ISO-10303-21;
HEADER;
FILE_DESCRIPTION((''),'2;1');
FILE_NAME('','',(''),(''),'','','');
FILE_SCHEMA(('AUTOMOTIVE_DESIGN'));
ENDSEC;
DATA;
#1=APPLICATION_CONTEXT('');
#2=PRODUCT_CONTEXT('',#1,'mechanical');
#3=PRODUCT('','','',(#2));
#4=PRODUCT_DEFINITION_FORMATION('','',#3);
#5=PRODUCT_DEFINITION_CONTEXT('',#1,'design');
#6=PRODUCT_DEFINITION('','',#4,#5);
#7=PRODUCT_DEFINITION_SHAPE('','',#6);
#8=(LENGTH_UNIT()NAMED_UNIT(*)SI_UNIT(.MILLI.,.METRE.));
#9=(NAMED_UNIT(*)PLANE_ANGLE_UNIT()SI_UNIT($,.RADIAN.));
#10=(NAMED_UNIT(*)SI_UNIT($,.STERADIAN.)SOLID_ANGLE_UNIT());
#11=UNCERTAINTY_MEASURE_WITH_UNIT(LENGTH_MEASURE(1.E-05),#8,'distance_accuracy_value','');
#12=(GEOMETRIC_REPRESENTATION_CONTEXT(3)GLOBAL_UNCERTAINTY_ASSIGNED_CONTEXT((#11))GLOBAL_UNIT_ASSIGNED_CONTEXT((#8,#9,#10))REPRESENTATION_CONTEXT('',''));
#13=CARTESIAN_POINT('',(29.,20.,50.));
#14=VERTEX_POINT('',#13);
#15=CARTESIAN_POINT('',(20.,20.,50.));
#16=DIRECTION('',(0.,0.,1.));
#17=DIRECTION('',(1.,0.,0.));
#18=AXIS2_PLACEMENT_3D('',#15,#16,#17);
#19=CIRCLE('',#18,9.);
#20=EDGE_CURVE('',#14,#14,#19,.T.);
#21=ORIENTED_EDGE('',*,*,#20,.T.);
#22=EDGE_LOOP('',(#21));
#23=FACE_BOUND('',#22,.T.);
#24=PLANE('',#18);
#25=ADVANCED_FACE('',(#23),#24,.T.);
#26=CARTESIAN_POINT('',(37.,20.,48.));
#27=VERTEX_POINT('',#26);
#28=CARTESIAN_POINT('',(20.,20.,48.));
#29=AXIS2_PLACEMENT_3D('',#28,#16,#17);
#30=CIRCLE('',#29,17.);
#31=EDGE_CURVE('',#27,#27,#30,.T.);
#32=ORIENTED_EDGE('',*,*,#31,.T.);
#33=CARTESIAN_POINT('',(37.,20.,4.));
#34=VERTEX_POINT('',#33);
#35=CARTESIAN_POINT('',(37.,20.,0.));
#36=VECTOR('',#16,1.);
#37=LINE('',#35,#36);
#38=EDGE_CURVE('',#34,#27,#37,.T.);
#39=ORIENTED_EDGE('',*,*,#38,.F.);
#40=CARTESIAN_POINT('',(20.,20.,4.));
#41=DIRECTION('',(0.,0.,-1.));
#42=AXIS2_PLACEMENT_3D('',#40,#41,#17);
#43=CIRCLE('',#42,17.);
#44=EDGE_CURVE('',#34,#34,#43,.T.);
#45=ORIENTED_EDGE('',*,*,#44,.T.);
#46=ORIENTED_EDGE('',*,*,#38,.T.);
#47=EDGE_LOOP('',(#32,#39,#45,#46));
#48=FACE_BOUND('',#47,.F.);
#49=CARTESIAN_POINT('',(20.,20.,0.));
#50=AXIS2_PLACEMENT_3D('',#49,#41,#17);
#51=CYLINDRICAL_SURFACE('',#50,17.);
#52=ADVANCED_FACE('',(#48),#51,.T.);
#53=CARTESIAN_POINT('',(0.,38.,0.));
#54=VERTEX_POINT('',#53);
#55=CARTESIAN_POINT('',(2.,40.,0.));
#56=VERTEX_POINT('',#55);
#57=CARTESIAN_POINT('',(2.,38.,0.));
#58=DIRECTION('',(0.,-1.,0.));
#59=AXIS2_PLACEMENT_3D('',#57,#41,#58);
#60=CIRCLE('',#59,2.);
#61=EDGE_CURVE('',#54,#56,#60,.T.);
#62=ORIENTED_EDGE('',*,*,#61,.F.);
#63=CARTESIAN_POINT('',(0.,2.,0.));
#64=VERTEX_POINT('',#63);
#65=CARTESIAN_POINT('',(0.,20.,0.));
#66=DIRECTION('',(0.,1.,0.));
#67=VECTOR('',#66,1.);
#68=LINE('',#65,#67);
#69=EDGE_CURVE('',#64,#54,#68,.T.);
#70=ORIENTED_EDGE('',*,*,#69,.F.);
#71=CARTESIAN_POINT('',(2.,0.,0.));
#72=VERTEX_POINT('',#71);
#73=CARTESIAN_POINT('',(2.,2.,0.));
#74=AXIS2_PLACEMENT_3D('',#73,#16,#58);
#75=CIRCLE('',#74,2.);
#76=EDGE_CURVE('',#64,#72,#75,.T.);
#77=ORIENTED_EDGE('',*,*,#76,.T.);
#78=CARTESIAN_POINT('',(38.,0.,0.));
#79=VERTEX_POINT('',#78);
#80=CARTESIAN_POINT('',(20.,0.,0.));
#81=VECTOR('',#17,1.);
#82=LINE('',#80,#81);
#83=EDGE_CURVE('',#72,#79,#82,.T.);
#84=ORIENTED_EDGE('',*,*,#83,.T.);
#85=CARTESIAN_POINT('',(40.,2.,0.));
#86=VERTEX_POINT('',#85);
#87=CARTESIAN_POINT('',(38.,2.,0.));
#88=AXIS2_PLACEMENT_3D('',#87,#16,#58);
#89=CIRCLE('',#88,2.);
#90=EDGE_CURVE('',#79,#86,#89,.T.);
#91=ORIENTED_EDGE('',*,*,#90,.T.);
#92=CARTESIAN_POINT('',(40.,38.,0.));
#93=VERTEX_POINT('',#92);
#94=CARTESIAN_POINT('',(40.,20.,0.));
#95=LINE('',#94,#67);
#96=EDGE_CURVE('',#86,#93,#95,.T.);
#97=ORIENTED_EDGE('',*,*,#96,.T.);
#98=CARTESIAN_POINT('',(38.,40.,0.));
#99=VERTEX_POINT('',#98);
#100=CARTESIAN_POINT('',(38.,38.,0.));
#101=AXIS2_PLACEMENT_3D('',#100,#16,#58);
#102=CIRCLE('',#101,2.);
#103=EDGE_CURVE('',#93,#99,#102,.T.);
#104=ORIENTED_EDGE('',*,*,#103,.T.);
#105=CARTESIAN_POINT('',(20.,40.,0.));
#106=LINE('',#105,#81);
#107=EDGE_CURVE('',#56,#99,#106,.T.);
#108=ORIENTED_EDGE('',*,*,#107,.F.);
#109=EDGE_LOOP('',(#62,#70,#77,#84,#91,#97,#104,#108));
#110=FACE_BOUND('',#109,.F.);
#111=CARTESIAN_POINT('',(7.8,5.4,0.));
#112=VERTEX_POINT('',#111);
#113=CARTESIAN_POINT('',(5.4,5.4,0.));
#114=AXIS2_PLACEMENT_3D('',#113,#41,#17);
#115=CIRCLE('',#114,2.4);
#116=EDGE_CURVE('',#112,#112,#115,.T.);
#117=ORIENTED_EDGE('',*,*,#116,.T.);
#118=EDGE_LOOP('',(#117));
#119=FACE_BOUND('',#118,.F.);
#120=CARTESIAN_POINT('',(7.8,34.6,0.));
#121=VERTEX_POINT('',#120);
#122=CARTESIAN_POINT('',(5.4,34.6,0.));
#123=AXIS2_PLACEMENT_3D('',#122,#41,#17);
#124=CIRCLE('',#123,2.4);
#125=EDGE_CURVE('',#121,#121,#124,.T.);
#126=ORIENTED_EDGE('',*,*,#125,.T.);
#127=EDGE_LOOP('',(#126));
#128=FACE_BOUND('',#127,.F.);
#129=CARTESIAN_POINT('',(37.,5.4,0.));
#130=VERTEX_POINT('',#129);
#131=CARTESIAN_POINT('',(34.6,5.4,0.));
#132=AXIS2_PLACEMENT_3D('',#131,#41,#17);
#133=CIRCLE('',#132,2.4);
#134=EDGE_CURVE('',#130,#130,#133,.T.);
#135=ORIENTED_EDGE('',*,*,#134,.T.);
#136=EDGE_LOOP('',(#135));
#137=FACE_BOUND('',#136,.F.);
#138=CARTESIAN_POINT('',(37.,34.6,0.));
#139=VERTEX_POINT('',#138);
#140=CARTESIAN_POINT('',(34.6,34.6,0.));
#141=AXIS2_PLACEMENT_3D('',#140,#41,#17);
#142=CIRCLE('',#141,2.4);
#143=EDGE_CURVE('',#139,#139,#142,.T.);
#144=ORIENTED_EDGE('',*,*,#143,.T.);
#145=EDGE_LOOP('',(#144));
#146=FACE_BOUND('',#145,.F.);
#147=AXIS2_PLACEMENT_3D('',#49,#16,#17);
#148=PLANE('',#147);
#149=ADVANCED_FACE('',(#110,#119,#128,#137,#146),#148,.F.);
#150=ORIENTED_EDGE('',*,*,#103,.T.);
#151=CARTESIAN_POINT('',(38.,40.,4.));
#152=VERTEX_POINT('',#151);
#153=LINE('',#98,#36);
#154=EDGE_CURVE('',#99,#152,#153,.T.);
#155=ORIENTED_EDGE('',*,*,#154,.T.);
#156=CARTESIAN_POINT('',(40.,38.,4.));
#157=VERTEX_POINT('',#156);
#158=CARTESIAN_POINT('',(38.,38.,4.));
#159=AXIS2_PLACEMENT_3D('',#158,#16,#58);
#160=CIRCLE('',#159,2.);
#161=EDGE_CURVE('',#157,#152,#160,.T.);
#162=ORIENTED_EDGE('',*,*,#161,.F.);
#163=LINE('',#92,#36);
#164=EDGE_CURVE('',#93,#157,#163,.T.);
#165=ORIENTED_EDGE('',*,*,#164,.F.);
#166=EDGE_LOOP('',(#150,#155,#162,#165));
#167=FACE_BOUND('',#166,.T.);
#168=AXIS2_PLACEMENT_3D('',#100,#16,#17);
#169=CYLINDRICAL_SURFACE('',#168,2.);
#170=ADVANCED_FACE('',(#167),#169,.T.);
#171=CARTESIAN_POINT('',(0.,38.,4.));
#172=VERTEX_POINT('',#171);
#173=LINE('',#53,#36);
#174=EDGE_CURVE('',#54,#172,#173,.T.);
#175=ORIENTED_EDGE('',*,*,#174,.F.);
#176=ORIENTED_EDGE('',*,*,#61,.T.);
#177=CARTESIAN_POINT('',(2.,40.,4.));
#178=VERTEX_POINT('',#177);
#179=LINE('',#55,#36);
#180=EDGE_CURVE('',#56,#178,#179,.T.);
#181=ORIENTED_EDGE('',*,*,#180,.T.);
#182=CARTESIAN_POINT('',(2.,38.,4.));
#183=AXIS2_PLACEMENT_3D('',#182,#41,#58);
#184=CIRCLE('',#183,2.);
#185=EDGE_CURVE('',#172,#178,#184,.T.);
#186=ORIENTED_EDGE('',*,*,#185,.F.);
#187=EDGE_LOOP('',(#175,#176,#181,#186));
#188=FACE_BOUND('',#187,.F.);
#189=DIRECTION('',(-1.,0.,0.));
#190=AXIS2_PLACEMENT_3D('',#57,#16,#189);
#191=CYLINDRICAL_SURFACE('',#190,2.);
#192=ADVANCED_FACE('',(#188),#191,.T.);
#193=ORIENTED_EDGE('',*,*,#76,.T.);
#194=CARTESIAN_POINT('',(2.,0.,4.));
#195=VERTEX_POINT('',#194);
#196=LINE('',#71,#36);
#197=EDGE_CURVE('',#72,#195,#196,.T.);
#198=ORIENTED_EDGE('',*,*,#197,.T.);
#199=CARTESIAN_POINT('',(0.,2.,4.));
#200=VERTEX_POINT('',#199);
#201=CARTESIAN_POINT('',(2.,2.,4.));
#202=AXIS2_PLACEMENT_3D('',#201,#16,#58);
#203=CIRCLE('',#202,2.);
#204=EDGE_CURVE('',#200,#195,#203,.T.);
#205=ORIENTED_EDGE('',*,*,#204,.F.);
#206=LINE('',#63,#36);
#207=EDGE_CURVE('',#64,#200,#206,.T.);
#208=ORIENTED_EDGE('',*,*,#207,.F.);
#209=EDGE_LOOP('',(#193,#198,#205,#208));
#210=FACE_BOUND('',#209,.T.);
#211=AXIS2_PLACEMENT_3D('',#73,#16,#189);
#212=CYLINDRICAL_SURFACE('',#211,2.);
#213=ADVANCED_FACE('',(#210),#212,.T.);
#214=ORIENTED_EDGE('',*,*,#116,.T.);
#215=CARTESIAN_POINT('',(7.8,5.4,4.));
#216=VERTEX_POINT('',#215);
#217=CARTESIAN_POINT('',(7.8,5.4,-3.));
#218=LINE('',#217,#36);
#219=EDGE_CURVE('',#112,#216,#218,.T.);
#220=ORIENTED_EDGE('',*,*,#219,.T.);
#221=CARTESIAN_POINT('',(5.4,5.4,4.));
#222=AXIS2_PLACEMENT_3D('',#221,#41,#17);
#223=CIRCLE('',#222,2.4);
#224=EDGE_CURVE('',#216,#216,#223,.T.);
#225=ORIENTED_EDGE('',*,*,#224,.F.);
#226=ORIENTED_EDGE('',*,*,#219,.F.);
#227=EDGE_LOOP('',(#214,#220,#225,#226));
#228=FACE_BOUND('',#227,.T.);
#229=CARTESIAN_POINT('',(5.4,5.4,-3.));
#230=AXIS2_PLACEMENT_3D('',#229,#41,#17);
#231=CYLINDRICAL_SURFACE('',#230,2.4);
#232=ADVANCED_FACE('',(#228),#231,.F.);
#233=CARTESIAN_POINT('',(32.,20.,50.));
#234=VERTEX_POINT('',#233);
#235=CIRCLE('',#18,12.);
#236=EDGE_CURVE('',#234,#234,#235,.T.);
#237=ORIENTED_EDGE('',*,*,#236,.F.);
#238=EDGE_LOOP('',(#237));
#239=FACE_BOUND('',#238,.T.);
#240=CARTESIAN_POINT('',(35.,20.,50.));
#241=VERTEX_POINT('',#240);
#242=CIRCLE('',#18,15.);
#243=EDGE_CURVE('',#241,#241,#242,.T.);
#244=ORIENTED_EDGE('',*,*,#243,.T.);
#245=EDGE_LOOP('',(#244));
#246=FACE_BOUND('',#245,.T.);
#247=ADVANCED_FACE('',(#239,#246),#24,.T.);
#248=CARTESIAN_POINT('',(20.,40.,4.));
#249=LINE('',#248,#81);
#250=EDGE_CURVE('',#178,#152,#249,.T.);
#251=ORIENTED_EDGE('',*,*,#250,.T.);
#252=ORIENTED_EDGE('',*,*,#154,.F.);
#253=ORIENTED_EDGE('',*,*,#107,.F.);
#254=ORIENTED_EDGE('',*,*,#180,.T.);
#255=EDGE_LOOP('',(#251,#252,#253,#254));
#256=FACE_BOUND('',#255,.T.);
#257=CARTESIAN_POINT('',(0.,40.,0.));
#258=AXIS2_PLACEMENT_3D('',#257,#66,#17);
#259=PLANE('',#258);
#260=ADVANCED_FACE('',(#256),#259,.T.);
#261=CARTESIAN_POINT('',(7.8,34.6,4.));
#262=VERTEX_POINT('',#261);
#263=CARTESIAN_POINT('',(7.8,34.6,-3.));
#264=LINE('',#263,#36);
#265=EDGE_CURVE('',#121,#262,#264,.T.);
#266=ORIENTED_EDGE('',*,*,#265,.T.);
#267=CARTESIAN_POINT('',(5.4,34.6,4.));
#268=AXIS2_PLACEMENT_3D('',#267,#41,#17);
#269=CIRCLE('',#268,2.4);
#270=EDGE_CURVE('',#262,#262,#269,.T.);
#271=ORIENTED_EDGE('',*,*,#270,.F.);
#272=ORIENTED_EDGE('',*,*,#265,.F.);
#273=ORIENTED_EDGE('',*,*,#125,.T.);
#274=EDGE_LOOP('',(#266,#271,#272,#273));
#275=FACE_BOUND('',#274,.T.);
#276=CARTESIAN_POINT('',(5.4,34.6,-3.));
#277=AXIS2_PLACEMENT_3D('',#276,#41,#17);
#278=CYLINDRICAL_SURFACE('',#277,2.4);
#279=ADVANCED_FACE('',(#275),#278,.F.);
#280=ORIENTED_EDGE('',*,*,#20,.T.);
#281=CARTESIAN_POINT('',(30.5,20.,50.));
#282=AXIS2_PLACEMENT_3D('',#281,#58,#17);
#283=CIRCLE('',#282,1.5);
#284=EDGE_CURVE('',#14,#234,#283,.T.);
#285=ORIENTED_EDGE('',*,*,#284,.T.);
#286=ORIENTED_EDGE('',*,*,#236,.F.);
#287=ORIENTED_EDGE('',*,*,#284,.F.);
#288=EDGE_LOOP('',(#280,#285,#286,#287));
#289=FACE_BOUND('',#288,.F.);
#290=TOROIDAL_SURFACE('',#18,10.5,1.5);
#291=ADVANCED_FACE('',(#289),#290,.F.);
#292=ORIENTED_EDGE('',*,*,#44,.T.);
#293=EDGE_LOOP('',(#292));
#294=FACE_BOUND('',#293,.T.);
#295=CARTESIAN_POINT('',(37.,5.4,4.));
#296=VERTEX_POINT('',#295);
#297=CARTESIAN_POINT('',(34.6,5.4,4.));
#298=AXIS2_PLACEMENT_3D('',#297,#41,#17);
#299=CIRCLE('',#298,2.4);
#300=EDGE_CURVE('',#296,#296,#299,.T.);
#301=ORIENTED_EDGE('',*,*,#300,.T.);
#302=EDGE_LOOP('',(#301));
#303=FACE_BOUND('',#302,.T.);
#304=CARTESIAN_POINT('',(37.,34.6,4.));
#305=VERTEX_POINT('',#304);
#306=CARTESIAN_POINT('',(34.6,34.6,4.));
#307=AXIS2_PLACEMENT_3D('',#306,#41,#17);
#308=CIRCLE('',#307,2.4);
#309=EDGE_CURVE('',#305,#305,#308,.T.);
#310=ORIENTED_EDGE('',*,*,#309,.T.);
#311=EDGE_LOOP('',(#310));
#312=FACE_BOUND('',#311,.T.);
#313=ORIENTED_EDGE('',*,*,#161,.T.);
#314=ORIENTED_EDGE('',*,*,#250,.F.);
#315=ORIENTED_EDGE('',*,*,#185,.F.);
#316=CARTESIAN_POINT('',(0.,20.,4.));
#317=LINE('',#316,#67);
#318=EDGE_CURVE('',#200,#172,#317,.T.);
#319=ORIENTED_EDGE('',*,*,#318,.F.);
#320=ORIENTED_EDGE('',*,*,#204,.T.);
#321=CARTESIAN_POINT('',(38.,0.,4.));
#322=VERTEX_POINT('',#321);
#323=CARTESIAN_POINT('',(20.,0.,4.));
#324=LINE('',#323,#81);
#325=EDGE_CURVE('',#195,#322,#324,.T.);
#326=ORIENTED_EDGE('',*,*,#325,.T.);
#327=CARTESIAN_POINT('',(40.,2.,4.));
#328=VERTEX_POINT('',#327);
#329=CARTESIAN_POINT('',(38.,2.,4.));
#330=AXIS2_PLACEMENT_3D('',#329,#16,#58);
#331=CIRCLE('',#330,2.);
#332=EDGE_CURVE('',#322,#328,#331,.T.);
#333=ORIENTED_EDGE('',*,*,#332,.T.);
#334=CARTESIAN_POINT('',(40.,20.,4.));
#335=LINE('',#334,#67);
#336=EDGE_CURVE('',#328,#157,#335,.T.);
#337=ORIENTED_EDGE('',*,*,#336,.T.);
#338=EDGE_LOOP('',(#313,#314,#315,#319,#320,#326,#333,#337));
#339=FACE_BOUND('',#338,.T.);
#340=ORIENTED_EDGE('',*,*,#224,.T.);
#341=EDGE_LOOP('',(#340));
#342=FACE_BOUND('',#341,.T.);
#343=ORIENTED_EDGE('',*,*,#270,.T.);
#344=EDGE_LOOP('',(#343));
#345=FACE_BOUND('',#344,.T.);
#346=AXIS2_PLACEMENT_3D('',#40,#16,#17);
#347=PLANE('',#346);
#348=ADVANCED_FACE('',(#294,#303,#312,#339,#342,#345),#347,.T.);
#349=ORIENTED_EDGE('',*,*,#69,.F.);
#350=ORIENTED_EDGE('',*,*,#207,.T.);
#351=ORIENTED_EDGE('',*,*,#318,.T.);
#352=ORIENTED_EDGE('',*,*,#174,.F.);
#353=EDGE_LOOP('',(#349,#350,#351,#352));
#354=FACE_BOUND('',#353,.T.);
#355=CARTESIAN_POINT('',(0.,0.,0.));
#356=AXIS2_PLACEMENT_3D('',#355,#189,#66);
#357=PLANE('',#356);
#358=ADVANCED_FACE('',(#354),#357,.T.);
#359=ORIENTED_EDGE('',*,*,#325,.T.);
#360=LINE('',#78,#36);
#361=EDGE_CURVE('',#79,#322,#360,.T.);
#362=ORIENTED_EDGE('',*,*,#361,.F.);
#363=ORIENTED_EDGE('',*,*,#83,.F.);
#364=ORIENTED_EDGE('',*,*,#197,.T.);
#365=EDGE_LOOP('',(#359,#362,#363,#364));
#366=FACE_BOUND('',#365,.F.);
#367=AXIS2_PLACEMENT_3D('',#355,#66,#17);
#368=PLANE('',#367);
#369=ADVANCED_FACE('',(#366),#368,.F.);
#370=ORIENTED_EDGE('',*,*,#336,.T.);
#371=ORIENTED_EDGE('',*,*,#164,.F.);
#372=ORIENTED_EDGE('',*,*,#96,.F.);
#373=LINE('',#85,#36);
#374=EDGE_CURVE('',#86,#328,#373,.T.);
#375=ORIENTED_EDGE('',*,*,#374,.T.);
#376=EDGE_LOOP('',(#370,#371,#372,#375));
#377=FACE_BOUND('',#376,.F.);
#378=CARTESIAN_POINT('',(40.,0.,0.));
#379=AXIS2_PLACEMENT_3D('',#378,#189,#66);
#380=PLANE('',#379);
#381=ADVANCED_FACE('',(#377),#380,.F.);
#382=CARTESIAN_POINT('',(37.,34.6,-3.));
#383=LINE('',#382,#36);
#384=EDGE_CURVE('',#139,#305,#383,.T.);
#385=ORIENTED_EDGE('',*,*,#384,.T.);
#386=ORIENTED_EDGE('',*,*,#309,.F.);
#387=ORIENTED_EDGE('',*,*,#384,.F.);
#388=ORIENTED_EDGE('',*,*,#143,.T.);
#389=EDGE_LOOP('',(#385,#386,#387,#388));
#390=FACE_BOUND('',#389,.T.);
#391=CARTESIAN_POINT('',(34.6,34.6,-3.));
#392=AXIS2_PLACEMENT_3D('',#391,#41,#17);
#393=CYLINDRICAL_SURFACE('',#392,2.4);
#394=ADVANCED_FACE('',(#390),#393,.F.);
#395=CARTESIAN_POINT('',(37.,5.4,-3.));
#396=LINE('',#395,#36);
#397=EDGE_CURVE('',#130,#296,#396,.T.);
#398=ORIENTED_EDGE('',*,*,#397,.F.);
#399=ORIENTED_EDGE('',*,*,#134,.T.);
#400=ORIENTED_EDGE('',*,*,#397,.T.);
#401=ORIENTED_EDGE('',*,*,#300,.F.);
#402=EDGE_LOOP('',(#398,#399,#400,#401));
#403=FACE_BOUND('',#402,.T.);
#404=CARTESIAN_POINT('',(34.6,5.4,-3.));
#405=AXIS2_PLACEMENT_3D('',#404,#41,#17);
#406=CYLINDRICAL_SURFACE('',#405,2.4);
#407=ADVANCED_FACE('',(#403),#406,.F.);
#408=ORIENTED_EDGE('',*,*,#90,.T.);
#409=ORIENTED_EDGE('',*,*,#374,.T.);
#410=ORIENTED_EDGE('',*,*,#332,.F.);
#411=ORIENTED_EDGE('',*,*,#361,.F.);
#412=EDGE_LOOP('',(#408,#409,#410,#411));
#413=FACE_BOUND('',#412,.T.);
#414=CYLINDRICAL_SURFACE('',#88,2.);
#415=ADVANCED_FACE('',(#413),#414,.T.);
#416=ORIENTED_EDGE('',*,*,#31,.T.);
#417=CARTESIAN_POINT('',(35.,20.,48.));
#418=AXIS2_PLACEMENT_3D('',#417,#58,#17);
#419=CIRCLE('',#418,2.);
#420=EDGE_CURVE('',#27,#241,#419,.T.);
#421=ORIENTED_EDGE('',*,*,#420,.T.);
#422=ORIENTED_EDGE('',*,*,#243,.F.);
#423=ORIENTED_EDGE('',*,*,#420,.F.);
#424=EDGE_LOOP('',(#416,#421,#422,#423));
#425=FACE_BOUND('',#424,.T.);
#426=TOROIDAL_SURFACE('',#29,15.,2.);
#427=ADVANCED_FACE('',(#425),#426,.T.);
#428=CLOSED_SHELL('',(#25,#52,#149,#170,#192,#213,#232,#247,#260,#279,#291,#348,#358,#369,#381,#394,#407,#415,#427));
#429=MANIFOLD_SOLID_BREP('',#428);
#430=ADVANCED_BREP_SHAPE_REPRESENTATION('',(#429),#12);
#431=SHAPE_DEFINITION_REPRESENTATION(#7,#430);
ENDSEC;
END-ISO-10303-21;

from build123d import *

# Parameters (mm, degrees)
CYLINDER_R        = 2.4
CYLINDER_DEPTH    = 10
ARRAY_X_COUNT     = 2
ARRAY_X_PITCH     = 29.2
ARRAY_Y_COUNT     = 2
ARRAY_Y_PITCH     = 29.2
BOX_W             = 40
BOX_H             = 40
BOX_DEPTH         = 4
FILLET_R          = 2
TORUS_R           = 1.5
CYLINDER001_R     = 17
CYLINDER001_DEPTH = 50
FILLET001_R       = 2


with BuildPart() as taladros_vector:
    # Cylinder → Cylinder (new body)
    with BuildSketch(Plane(origin=(5.4, 5.4, 0), x_dir=(1, 0, 0), z_dir=(0, 0, 1))):
        Circle(CYLINDER_R)
    extrude(amount=CYLINDER_DEPTH)

    # Array X: taladros_vector ×2


with BuildPart() as taladros_vector_1:
    add(taladros_vector.part)
    with Locations(*[(i * ARRAY_X_PITCH, 0, 0) for i in range(1, ARRAY_X_COUNT)]):
        add(taladros_vector.part)

    # Array Y: taladros_vector ×2


with BuildPart() as taladros_vector_2:
    add(taladros_vector_1.part)
    with Locations(*[(0, i * ARRAY_Y_PITCH, 0) for i in range(1, ARRAY_Y_COUNT)]):
        add(taladros_vector_1.part)


with BuildPart() as taladros_vector_3:
    # Array placement: moved
    add(taladros_vector_2.part.moved(Location((0, 0, -3))))


with BuildPart() as base_taladrada:
    # Box → Box (new body)
    with BuildSketch(Plane.XY):
        with Locations((20, 20)):
            Rectangle(BOX_W, BOX_H)
    extrude(amount=BOX_DEPTH)

    # Fillet
    fillet_edges = [base_taladrada.edges().sort_by_distance(p)[0] for p in [
        (0, 0, 2),
        (0, 40, 2),
        (40, 0, 2),
        (40, 40, 2),
    ]]
    fillet(fillet_edges, radius=FILLET_R)

    # Cut: cut taladros_vector
    add(taladros_vector_3.part, mode=Mode.SUBTRACT)


with BuildPart() as hueco_torica:
    # Torus → Torus (revolve)
    with BuildSketch(Plane(origin=(0, 0, 50), x_dir=(1, 0, 0), z_dir=(0, -1, 0))):
        with Locations((10.5, 0)):
            Circle(TORUS_R)
    revolve(axis=Axis((0, 0, 50), (0, 0, 1)))


with BuildPart() as pata_ikea:
    # Cylinder001 → Cylinder001 (new body)
    with BuildSketch(Plane.XY):
        Circle(CYLINDER001_R)
    extrude(amount=CYLINDER001_DEPTH)

    # Fillet001
    fillet001_edges = [pata_ikea.edges().sort_by_distance(p)[0] for p in [
        (-17, 0, 50),
    ]]
    fillet(fillet001_edges, radius=FILLET001_R)

    # Cut001: cut hueco_torica
    add(hueco_torica.part, mode=Mode.SUBTRACT)


with BuildPart() as pata_ikea_1:
    # Cut001 placement: moved
    add(pata_ikea.part.moved(Location((20, 20, 0))))

    # Fusion: union base_taladrada
    add(base_taladrada.part)


solid = pata_ikea_1.part
